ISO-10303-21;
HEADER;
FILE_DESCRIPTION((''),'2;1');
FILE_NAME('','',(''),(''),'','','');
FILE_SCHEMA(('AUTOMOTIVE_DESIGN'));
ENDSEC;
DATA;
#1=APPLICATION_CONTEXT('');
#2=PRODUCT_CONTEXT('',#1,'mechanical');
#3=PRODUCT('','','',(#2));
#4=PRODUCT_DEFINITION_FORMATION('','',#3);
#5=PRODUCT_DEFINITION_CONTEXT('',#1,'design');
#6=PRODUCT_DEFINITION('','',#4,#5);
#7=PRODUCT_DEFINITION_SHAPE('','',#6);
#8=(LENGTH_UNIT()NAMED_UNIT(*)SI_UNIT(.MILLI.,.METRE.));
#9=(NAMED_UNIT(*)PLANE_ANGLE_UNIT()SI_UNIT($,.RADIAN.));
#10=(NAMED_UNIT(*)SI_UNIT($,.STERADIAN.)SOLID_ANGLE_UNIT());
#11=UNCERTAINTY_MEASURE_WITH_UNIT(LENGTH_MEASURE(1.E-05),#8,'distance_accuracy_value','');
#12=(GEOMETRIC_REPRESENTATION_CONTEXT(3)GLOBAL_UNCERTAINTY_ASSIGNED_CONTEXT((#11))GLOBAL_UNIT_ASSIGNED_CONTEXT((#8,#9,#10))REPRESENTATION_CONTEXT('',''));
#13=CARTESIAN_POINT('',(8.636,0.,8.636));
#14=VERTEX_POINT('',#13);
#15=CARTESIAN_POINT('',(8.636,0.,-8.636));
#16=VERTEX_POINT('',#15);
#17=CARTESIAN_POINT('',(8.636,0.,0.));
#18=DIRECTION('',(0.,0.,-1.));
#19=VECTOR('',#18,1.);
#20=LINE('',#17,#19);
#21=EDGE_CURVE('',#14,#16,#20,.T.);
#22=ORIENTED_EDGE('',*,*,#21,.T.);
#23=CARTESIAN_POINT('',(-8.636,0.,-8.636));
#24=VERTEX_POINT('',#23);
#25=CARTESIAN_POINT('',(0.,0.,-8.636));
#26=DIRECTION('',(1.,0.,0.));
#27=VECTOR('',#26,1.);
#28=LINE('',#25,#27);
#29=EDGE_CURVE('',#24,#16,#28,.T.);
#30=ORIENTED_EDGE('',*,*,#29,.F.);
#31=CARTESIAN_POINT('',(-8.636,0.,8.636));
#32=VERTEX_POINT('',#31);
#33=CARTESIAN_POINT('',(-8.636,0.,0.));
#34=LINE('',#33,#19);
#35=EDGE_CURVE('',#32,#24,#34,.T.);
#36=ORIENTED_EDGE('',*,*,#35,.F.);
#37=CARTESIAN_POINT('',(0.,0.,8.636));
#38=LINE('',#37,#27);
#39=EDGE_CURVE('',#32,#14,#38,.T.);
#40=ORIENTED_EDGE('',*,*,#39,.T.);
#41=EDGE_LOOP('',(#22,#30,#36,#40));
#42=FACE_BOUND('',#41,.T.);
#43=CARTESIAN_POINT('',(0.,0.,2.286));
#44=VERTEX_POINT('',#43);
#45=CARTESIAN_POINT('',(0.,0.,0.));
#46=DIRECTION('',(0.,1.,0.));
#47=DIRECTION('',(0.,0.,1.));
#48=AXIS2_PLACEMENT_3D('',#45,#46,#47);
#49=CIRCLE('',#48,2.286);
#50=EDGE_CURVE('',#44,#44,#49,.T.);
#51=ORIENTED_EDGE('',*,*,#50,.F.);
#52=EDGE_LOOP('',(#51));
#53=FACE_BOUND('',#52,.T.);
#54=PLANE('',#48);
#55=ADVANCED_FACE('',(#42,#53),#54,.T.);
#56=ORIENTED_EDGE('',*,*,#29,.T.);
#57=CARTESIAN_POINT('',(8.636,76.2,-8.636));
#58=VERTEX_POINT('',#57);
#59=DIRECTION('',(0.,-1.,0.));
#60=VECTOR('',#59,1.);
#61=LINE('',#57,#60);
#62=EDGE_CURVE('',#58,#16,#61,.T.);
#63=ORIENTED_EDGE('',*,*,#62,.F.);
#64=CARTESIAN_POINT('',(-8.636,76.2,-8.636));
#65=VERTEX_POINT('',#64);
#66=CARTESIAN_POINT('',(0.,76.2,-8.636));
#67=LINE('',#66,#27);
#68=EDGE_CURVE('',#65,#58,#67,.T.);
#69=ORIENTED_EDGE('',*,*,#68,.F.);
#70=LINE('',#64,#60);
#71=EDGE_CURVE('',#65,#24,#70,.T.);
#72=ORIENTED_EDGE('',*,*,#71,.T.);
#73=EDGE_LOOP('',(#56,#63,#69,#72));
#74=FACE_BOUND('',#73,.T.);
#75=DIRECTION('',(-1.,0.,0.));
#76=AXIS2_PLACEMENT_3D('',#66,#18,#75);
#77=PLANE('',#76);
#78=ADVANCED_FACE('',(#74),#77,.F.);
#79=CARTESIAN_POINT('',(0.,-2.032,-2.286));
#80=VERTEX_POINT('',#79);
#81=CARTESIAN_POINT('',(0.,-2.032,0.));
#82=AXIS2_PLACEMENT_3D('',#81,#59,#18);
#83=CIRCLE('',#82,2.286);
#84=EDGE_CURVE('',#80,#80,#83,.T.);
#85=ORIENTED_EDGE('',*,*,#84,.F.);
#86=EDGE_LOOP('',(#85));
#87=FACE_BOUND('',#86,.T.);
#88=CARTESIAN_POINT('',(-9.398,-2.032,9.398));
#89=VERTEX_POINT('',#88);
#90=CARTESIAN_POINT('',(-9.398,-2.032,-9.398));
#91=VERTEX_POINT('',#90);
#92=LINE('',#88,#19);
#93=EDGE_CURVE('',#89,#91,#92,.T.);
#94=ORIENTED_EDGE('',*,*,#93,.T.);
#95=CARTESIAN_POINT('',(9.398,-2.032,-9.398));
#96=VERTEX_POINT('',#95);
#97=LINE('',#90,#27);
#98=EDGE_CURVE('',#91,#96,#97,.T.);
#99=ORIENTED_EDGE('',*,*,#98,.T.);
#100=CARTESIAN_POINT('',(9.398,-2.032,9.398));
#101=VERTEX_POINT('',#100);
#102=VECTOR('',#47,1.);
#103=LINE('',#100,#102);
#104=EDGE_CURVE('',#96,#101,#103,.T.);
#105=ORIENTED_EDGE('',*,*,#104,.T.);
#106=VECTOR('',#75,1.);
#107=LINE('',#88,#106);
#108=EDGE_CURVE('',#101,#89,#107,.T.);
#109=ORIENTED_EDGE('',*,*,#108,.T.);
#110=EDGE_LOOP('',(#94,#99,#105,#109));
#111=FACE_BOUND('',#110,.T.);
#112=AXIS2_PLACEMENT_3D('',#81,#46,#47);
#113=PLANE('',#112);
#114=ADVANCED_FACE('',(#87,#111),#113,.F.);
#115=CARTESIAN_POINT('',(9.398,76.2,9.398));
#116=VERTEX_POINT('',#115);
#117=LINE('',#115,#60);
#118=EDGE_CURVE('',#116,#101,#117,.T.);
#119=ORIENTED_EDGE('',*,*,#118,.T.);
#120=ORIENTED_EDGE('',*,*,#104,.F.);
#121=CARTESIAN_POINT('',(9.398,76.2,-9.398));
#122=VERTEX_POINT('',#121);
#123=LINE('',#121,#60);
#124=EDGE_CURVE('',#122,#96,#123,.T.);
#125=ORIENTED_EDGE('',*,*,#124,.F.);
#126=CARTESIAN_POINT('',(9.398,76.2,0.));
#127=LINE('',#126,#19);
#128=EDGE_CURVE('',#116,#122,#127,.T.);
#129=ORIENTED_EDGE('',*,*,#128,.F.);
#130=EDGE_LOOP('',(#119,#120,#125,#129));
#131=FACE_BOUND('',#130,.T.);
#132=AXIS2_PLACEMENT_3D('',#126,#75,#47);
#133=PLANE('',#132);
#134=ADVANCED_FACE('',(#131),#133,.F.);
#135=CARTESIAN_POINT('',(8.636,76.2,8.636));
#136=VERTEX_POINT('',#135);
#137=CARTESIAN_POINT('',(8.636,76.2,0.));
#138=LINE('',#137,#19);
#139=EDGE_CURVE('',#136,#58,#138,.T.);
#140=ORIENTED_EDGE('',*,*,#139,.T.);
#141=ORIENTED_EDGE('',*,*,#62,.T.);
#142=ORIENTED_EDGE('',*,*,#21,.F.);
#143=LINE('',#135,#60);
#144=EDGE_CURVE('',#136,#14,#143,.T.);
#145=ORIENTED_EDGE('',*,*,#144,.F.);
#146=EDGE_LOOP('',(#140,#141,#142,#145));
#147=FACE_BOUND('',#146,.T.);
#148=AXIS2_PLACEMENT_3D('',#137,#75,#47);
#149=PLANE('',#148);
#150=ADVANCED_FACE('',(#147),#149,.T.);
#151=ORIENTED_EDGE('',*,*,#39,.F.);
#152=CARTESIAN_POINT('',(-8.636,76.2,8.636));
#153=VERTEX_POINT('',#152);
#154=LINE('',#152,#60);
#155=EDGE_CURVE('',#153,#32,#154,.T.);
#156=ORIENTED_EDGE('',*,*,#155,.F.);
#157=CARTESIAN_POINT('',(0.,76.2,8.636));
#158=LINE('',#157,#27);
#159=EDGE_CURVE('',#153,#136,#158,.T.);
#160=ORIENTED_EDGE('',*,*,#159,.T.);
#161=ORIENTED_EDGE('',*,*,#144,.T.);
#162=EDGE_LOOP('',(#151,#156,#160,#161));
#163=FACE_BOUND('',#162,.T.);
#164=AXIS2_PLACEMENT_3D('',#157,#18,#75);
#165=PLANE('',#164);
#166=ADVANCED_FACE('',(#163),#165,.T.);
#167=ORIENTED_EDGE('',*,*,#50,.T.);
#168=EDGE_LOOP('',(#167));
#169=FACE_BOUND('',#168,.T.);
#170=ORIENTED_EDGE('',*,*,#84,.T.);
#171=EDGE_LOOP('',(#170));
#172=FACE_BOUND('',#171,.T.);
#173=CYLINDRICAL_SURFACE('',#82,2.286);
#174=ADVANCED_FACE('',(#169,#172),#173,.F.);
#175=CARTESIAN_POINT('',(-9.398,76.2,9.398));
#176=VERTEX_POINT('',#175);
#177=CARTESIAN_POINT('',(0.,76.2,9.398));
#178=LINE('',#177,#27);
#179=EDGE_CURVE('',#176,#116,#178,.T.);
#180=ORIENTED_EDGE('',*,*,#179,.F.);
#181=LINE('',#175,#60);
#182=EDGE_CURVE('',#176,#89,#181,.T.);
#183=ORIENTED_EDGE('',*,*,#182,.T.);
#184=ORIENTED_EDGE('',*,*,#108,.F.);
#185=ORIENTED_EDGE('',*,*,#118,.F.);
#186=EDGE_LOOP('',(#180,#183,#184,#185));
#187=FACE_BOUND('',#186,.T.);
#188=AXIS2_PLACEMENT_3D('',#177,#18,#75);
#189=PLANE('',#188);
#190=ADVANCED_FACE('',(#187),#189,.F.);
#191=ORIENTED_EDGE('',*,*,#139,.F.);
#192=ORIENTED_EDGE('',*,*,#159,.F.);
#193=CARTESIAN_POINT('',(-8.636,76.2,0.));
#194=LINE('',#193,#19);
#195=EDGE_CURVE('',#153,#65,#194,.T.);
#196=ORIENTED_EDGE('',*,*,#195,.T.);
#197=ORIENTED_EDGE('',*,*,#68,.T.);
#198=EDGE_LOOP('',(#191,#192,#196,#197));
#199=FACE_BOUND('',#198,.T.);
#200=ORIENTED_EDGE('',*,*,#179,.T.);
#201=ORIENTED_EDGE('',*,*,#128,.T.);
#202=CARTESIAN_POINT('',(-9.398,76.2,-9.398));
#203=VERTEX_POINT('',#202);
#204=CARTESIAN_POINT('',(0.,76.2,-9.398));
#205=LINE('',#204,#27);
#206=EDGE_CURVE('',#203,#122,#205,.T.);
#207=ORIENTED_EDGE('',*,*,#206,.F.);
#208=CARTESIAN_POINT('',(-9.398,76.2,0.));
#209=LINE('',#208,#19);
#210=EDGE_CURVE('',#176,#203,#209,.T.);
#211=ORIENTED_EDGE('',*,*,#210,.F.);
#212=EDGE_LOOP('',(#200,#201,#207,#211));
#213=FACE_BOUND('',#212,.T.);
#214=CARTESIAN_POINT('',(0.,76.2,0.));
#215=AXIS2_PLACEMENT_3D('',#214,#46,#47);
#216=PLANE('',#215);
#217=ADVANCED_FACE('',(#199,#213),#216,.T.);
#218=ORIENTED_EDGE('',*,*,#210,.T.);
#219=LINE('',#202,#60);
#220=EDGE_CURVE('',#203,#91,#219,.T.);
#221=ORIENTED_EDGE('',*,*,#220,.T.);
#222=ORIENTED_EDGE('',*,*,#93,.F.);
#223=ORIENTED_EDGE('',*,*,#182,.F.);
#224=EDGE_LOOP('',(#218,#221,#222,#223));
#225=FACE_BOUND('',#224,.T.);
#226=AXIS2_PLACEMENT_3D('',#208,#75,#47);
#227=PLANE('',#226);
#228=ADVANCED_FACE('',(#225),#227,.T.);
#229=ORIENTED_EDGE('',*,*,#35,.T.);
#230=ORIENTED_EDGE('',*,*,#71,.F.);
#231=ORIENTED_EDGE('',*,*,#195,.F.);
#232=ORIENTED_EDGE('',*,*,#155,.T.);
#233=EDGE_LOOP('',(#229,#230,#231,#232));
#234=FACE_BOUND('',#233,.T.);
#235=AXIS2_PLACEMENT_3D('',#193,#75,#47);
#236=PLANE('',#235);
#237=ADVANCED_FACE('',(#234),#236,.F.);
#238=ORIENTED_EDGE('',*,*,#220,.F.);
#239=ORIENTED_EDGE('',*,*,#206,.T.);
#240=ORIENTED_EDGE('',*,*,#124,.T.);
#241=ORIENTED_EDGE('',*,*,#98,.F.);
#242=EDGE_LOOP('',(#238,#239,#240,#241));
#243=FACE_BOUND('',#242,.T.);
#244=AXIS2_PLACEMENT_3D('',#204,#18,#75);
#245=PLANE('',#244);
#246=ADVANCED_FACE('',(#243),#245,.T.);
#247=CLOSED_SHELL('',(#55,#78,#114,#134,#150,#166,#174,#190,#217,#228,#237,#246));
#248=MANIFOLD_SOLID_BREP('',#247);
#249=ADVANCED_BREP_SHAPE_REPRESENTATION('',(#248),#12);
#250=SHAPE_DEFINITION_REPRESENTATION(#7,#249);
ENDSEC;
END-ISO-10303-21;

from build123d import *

# Parameters (mm, degrees)
SKETCH1_W                        = 18.796
SKETCH1_H                        = 18.796
SKETCH1_W_2                      = 17.272
SKETCH1_H_2                      = 17.272
BOSS_EXTRUDE1_DEPTH              = 76.2
SKETCH2_W                        = 18.796
SKETCH2_H                        = 18.796
BOSS_EXTRUDE2_DEPTH              = 2.032
F_10_0_1935_DIAMETER_HOLE1_D     = 4.572
F_10_0_1935_DIAMETER_HOLE1_DEPTH = 6.35
F_10_0_1935_DIAMETER_HOLE1_TIP   = 1.373567375


with BuildPart() as part:
    # Sketch1 → Boss-Extrude1 (new body)
    with BuildSketch(Plane(origin=(0, 0, 0), x_dir=(1, 0, 0), z_dir=(0, 1, 0))):
        Rectangle(SKETCH1_W, SKETCH1_H)
        Rectangle(SKETCH1_W_2, SKETCH1_H_2, mode=Mode.SUBTRACT)
    extrude(amount=BOSS_EXTRUDE1_DEPTH)

    # Sketch2 → Boss-Extrude2 (add)
    with BuildSketch(Plane.XZ):
        Rectangle(SKETCH2_W, SKETCH2_H)
    extrude(amount=BOSS_EXTRUDE2_DEPTH)

    # #10 (0.1935) Diameter Hole1
    with Locations(Plane(origin=(0, -2.032, 0), x_dir=(-1, 0, 0), z_dir=(0, -1, 0))):
        with Locations((0, 0)):
            Hole(F_10_0_1935_DIAMETER_HOLE1_D / 2, depth=F_10_0_1935_DIAMETER_HOLE1_DEPTH)
            with Locations((0, 0, -(F_10_0_1935_DIAMETER_HOLE1_DEPTH + F_10_0_1935_DIAMETER_HOLE1_TIP / 2))):  # 118° drill point
                Cone(0, F_10_0_1935_DIAMETER_HOLE1_D / 2, F_10_0_1935_DIAMETER_HOLE1_TIP, mode=Mode.SUBTRACT)


solid = part.part
